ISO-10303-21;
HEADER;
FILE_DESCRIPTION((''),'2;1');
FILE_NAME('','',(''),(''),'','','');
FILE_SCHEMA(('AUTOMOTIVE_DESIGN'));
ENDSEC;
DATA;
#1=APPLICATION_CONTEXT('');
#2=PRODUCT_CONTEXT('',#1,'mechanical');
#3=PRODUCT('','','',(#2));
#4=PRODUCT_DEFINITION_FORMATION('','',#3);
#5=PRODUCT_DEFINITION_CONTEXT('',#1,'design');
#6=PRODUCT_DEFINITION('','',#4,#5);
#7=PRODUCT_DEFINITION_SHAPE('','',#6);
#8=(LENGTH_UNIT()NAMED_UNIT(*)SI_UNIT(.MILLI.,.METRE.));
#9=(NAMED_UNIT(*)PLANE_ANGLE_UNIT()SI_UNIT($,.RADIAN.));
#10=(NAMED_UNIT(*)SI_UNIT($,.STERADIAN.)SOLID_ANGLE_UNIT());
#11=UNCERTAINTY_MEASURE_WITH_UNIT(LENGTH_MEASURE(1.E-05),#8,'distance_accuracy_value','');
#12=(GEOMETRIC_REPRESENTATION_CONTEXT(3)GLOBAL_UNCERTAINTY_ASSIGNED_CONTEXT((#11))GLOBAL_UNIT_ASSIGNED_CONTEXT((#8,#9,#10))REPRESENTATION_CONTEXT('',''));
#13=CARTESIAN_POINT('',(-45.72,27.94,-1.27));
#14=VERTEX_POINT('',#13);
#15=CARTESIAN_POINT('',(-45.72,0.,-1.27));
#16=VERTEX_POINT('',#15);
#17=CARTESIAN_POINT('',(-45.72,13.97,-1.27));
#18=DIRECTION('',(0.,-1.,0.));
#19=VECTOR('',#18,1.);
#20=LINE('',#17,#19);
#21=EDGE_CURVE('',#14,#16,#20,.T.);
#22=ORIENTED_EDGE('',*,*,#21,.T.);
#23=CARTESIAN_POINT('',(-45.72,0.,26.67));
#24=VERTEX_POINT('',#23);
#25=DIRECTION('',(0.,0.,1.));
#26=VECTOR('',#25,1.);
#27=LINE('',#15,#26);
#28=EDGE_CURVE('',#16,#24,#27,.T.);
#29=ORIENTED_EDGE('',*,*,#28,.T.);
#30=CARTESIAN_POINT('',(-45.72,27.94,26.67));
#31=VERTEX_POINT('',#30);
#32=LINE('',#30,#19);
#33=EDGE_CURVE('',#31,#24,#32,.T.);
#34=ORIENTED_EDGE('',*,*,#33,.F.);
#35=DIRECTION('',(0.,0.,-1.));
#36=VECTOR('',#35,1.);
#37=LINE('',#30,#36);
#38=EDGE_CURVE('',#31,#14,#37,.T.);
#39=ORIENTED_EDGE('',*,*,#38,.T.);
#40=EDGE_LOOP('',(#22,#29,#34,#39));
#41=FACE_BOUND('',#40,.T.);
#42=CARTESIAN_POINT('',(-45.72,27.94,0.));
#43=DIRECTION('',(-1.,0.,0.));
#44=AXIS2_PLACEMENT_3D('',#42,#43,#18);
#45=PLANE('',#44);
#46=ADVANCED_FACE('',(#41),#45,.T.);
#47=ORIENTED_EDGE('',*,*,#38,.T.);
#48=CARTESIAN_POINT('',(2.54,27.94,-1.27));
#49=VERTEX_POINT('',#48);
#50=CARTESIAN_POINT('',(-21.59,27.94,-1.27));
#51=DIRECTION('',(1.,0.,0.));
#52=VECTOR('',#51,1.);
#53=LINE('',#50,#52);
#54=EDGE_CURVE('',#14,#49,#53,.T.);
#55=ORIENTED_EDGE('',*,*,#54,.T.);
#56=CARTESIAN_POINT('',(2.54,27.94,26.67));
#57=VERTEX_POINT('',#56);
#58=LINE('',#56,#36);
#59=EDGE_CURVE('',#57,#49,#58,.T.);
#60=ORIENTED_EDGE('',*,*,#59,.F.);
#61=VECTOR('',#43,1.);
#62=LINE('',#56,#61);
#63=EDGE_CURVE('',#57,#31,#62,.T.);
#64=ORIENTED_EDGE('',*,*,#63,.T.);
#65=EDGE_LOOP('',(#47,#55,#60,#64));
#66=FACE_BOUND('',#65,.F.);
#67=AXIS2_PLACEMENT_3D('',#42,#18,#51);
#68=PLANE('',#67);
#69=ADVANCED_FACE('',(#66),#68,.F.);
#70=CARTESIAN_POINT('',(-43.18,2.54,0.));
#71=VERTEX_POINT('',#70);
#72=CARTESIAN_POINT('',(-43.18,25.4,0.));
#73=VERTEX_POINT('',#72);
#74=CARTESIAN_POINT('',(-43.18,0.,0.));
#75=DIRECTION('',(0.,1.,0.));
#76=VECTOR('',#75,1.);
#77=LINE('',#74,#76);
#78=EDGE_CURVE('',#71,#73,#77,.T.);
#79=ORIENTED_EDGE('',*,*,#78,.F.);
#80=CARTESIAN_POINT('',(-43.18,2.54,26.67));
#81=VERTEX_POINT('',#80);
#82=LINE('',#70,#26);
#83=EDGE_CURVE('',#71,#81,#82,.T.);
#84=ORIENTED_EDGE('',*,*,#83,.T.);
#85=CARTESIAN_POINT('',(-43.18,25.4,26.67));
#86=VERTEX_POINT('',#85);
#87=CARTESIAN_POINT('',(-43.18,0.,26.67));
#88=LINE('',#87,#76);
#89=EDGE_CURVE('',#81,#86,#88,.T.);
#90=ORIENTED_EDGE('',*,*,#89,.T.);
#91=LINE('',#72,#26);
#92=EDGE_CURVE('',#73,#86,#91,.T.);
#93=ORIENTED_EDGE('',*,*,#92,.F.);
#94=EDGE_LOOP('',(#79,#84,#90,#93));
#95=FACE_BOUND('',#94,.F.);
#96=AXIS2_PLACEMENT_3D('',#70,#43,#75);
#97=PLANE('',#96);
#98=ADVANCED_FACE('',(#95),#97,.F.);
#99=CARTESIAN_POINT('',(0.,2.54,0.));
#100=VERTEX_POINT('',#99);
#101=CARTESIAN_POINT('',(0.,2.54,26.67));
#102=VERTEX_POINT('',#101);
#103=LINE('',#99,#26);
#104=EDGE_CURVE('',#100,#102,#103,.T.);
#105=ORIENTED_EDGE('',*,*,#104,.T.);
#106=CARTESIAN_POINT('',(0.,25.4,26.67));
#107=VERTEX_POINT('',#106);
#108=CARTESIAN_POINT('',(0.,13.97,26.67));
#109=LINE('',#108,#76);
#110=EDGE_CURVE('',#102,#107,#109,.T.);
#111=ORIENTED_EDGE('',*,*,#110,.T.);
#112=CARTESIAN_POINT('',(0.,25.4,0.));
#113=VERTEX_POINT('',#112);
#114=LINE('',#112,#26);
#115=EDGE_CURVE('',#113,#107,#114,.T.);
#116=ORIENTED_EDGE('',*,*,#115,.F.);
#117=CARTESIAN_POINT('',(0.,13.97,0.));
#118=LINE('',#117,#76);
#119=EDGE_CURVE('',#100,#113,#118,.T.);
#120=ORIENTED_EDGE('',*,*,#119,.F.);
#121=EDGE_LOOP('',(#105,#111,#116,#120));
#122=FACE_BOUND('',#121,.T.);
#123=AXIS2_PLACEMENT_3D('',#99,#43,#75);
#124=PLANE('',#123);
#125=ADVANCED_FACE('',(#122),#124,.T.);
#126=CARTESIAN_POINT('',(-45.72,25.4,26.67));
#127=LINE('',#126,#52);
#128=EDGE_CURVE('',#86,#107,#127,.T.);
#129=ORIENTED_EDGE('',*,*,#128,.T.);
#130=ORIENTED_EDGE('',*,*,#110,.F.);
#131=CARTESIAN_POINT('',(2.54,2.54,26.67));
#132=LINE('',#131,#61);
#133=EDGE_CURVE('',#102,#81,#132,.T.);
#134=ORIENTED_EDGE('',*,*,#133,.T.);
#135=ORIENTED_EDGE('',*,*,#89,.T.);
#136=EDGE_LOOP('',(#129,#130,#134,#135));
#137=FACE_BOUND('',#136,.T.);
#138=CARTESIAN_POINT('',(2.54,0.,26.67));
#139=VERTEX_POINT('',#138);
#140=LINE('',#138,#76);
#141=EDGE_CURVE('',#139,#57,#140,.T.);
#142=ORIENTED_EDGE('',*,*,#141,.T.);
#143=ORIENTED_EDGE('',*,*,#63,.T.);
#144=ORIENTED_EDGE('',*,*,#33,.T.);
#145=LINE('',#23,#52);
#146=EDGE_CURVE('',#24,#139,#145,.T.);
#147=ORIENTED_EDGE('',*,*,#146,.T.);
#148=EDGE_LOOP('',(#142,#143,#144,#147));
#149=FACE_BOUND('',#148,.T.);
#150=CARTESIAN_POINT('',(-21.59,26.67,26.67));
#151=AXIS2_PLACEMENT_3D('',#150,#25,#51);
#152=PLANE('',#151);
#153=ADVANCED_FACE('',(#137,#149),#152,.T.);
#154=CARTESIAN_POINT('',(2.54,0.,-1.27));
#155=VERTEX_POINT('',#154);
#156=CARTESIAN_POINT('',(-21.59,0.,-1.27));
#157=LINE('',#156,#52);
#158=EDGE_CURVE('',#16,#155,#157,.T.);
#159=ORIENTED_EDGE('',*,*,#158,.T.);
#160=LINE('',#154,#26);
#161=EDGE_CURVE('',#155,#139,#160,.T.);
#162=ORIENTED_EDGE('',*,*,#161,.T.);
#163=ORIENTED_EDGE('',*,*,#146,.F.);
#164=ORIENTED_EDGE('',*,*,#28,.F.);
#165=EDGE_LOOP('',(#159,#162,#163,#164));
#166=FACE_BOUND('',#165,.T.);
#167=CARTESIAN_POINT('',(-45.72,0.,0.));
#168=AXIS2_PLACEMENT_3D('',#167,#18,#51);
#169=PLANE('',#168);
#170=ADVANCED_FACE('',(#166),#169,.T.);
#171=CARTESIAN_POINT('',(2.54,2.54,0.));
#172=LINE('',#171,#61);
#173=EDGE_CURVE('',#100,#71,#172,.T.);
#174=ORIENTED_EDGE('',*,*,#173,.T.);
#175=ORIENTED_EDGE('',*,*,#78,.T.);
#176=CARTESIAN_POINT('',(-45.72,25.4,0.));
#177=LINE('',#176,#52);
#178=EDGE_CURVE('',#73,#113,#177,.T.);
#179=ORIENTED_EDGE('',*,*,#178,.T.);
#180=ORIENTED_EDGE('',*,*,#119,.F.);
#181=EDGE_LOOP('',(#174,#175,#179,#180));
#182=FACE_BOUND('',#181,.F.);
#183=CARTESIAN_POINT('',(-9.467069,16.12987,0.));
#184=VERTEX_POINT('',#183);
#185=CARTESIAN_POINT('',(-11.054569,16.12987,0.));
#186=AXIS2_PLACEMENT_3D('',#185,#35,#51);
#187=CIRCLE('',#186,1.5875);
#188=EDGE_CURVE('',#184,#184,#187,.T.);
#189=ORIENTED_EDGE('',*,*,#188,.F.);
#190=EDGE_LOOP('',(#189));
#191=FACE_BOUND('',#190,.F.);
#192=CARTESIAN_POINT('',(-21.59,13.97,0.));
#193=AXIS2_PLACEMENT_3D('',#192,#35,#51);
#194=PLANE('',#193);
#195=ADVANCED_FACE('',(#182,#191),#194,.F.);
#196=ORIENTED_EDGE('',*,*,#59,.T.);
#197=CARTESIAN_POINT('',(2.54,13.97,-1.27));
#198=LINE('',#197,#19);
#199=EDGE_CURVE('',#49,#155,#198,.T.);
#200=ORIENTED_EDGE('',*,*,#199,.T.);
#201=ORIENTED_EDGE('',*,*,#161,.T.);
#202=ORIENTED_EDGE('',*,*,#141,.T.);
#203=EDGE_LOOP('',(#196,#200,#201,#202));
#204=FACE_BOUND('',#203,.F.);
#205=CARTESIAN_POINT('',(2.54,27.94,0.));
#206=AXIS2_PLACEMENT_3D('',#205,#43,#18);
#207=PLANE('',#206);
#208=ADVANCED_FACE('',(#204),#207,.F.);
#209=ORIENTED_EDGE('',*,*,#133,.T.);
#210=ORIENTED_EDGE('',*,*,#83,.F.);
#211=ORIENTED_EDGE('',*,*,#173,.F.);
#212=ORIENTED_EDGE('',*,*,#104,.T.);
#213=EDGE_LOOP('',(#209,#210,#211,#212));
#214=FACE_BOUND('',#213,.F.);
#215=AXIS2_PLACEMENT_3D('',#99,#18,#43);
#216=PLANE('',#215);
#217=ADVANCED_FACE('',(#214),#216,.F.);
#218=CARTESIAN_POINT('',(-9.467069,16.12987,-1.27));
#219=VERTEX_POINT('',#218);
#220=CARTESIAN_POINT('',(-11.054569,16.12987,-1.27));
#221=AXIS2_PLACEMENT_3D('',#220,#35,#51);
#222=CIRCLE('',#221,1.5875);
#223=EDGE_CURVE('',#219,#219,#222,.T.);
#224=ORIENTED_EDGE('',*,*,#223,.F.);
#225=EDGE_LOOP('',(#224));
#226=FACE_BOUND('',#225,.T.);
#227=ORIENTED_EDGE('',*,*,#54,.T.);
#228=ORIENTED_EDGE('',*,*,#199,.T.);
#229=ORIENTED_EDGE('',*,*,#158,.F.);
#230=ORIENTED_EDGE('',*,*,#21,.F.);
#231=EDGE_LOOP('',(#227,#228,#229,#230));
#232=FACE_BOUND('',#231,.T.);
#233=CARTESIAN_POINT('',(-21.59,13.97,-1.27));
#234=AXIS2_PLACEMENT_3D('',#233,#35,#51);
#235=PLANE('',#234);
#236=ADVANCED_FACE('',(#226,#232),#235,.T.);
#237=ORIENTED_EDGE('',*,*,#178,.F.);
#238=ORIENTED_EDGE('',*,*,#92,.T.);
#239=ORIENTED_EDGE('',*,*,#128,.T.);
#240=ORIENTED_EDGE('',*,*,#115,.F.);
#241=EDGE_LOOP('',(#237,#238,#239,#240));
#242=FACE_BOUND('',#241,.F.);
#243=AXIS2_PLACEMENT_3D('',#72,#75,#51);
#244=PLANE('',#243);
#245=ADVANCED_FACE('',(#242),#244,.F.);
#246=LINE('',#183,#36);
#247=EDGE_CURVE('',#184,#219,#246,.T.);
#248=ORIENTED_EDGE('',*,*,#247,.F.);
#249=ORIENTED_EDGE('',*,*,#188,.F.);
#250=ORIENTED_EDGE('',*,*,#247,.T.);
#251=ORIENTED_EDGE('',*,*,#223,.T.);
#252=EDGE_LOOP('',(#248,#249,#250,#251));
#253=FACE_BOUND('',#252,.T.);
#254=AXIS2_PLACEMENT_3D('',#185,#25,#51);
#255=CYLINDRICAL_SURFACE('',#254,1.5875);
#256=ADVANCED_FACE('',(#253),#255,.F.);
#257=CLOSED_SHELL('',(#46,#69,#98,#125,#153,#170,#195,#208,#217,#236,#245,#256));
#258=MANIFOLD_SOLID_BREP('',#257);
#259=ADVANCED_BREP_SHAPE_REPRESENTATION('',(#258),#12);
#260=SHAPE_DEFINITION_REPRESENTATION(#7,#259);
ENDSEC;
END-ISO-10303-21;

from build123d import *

# Parameters (mm, degrees)
F0_W     = 43.18
F0_H     = 2.54
F0_W_2   = 2.54
F0_H_2   = 22.86
F1_DEPTH = 26.67
F2_W     = 48.26
F2_H     = 27.94
F2_R     = 1.5875
F3_DEPTH = 1.27


with BuildPart() as f1:
    # F0 (on Top) → F1 (new body)
    with BuildSketch(Plane.XY):
        with Locations((-21.59, 26.67)):
            Rectangle(F0_W, F0_H)
        with Locations((-44.45, 26.67)):
            Rectangle(F0_W_2, F0_H)
        with Locations((-44.45, 13.97)):
            Rectangle(F0_W_2, F0_H_2)
        with Locations((-44.45, 1.27)):
            Rectangle(F0_W_2, F0_H)
        with Locations((-21.59, 1.27)):
            Rectangle(F0_W, F0_H)
        with Locations((1.27, 1.27)):
            Rectangle(F0_W_2, F0_H)
        with Locations((1.27, 13.97)):
            Rectangle(F0_W_2, F0_H_2)
        with Locations((1.27, 26.67)):
            Rectangle(F0_W_2, F0_H)
    extrude(amount=F1_DEPTH)

    # F2 (on face) → F3 (join)
    with BuildSketch(Plane(origin=(0, 0, 0), x_dir=(1, 0, 0), z_dir=(0, 0, -1))):
        with Locations((-21.59, -13.97)):
            Rectangle(F2_W, F2_H)
        with Locations((-11.054569, -16.12987)):
            Circle(F2_R, mode=Mode.SUBTRACT)
    extrude(amount=F3_DEPTH)


solid = f1.part
